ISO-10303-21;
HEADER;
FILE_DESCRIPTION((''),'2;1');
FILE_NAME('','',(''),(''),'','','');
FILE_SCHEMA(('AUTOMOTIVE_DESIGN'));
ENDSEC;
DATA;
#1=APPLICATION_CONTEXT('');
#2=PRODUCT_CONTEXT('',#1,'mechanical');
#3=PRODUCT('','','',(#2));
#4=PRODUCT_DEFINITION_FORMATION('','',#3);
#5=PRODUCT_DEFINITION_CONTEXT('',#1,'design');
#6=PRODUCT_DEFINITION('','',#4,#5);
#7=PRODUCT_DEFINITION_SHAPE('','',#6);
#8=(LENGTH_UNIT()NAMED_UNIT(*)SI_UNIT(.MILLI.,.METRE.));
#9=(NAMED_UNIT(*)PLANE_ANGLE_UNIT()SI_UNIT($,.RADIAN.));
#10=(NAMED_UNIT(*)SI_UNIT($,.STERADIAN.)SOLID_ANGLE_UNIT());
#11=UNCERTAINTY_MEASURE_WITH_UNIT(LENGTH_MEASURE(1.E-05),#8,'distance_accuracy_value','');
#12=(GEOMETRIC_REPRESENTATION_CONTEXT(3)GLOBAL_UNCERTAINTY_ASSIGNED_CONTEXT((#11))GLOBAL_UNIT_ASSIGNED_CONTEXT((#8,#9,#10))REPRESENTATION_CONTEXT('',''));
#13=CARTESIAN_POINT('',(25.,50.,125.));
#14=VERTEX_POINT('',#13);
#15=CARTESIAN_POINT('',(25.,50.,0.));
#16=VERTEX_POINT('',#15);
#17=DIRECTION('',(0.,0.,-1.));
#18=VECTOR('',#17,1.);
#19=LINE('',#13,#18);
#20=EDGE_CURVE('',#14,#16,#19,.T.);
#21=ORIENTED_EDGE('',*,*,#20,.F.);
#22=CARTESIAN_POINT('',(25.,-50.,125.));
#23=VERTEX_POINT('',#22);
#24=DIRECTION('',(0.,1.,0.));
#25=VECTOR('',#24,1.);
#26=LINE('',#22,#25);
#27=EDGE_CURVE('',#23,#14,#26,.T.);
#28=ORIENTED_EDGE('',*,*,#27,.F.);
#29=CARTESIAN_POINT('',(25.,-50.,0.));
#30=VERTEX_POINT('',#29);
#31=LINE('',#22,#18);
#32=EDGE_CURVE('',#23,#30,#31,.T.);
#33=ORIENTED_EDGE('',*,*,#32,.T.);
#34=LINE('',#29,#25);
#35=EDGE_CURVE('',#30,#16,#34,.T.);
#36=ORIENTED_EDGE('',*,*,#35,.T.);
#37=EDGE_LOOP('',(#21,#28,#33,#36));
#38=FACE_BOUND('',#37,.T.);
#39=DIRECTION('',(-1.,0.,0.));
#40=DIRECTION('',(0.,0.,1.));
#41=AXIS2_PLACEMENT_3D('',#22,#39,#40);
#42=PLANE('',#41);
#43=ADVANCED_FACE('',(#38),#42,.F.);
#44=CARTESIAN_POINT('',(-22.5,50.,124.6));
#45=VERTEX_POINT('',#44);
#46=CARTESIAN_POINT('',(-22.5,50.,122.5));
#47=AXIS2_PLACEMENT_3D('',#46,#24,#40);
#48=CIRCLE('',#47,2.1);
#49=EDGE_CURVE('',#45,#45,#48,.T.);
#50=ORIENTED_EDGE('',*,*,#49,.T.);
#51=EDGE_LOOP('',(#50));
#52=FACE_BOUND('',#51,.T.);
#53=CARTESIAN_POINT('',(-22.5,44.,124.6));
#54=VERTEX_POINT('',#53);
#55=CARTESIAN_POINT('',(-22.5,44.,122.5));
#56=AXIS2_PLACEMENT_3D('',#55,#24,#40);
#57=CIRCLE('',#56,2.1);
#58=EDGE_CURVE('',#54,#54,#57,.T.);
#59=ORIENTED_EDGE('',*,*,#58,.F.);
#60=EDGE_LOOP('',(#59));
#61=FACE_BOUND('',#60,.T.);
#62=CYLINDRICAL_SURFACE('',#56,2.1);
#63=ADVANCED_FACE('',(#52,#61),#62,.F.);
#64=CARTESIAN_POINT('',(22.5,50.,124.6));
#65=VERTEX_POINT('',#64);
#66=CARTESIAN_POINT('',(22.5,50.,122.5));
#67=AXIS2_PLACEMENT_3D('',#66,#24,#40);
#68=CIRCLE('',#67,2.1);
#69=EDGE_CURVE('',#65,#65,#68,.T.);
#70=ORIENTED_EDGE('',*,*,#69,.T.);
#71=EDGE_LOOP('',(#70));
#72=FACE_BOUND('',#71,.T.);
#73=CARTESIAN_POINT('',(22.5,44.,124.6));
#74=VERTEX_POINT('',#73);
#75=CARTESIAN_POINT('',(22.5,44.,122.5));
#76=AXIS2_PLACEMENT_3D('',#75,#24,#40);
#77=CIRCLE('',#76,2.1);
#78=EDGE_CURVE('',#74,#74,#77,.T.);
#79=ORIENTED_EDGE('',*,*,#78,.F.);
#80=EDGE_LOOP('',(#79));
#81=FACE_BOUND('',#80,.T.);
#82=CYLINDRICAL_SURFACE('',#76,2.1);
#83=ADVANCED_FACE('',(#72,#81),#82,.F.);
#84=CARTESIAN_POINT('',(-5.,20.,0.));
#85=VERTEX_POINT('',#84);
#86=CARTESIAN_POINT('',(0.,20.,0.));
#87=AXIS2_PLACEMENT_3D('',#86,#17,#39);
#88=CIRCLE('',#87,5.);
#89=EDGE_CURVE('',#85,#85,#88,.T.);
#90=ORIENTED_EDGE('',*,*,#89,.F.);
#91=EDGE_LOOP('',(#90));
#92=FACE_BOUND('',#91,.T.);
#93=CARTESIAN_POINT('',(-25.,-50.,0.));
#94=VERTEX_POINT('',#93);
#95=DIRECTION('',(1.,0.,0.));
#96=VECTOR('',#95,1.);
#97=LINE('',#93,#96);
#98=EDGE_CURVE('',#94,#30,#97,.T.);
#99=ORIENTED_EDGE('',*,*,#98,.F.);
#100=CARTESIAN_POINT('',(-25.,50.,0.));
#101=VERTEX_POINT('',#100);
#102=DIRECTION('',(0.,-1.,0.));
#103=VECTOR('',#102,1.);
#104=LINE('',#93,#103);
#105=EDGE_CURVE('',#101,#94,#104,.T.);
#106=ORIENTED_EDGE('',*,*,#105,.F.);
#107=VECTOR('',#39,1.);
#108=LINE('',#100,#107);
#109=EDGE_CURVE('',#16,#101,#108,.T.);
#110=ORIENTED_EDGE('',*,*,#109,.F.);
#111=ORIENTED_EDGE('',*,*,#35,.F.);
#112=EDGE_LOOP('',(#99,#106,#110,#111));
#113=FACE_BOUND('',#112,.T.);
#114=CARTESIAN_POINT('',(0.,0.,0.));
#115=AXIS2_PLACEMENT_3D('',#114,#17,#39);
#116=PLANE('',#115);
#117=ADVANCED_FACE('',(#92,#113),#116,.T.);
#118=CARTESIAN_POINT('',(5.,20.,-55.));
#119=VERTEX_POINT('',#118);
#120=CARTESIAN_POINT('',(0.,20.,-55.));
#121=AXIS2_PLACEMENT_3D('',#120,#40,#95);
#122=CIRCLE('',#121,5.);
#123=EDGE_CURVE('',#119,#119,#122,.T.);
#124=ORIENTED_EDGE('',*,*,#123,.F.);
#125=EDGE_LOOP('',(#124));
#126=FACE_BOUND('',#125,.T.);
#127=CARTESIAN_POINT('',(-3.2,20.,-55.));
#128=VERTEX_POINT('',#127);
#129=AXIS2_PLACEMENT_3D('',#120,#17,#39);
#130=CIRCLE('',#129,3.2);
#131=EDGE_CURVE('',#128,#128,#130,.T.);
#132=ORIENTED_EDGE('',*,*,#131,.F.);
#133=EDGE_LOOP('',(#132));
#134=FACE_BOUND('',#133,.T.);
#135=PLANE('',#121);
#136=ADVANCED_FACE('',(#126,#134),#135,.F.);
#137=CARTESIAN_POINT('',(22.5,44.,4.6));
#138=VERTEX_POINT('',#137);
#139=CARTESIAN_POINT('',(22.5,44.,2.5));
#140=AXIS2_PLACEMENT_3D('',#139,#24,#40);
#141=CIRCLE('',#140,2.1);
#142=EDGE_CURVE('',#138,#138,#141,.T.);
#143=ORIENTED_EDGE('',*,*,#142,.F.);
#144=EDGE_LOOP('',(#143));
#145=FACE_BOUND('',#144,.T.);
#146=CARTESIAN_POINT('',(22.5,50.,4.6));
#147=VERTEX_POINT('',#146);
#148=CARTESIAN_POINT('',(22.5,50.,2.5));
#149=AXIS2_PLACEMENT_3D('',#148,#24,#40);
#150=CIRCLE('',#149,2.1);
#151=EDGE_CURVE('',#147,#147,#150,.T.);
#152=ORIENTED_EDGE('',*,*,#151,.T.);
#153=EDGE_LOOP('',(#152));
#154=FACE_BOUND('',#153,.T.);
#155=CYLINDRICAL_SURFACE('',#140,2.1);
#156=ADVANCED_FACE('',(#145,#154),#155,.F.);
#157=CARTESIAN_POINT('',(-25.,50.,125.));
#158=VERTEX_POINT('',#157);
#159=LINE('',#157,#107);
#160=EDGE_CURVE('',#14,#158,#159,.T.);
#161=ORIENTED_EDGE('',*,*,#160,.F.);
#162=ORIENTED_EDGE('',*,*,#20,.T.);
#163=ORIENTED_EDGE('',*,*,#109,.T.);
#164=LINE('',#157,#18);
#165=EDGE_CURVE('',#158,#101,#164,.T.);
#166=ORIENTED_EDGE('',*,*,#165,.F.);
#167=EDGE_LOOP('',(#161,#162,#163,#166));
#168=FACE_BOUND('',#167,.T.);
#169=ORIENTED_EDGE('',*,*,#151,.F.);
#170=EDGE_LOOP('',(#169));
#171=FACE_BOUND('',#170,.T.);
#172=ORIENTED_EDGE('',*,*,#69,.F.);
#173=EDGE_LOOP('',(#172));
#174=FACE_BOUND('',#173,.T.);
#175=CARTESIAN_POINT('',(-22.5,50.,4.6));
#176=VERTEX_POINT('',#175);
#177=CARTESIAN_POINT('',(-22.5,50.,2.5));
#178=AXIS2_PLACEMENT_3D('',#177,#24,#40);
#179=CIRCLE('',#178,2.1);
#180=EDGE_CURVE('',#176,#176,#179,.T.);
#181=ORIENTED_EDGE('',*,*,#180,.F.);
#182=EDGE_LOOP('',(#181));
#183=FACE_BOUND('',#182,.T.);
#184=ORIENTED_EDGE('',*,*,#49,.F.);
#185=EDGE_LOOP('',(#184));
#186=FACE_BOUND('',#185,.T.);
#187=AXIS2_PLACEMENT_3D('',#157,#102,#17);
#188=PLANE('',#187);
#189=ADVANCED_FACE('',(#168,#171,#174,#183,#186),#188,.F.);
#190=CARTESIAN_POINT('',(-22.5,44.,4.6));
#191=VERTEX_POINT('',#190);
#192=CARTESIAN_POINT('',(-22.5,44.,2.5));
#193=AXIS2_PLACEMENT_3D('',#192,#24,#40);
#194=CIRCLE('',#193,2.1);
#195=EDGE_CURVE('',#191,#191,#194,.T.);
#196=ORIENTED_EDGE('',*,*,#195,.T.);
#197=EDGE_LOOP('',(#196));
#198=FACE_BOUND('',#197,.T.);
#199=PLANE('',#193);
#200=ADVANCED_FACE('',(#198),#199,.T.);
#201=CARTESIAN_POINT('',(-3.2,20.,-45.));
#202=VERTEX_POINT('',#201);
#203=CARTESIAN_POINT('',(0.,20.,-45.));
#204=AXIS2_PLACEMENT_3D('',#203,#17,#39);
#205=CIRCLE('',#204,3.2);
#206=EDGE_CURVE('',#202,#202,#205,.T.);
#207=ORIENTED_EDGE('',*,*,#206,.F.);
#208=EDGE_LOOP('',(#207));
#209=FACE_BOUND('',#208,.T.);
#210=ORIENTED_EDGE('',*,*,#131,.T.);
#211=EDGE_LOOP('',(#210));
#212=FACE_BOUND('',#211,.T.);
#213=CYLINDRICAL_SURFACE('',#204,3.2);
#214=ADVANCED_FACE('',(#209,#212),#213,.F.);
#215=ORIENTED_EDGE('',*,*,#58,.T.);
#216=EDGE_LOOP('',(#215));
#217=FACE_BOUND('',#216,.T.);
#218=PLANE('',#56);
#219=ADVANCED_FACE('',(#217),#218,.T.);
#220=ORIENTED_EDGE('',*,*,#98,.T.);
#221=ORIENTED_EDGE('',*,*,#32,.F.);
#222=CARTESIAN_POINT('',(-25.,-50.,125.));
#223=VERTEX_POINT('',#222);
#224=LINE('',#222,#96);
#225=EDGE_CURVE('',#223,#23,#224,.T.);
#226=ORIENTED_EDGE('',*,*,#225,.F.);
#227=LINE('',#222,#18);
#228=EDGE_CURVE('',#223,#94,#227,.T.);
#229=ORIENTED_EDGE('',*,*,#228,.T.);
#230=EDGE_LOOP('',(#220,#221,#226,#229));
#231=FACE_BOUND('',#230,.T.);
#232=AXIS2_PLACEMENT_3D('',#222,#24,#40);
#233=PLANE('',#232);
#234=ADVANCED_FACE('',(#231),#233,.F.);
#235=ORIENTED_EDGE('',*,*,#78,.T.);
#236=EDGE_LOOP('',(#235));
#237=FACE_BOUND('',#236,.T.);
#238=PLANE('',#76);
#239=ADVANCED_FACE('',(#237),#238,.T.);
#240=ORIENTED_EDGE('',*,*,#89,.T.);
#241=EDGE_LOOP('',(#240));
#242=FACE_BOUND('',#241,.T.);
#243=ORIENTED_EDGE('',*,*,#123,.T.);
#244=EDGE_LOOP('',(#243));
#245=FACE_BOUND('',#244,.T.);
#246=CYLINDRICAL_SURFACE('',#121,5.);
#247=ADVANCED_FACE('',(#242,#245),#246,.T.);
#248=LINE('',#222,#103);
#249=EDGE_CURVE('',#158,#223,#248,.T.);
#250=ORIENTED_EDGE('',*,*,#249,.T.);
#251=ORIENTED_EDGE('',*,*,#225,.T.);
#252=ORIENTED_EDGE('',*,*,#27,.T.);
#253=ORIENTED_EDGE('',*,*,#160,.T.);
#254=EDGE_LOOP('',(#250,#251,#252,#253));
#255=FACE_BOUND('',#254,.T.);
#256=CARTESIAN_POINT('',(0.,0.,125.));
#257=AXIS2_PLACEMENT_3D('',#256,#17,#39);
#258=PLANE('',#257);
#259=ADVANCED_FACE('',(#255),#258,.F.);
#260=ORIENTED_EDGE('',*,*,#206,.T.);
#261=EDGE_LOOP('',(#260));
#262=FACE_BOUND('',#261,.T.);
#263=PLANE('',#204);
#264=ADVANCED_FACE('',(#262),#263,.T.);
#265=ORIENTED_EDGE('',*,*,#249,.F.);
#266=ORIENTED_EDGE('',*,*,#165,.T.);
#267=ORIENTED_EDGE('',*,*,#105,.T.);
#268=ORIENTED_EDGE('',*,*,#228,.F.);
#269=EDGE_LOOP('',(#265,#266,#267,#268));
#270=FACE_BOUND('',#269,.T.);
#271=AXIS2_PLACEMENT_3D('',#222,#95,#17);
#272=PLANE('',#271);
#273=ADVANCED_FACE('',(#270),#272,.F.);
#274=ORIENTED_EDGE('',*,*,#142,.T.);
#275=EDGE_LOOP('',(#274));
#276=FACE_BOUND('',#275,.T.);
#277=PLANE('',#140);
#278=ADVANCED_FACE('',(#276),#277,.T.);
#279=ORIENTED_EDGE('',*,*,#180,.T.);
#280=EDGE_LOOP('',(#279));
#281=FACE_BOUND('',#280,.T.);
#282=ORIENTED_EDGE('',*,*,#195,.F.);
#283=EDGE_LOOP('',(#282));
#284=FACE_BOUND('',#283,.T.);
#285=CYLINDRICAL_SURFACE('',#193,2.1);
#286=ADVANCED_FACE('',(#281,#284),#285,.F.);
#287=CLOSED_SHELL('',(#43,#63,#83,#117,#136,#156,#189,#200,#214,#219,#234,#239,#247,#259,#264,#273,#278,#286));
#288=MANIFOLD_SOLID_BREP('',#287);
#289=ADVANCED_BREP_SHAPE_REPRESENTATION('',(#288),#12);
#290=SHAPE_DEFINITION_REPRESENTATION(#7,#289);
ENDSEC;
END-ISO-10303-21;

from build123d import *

# Parameters (mm, degrees)
SKETCH1_W           = 50
SKETCH1_H           = 100
BOSS_EXTRUDE1_DEPTH = 125
SKETCH2_R           = 5
BOSS_EXTRUDE2_DEPTH = 55
SKETCH3_R           = 2.1
CUT_EXTRUDE1_DEPTH  = 6
SKETCH4_R           = 3.2
CUT_EXTRUDE2_DEPTH  = 10


with BuildPart() as part:
    # Sketch1 → Boss-Extrude1 (new body)
    with BuildSketch(Plane.XY):
        Rectangle(SKETCH1_W, SKETCH1_H)
    extrude(amount=BOSS_EXTRUDE1_DEPTH)

    # Sketch2 → Boss-Extrude2 (add)
    with BuildSketch(Plane.XY):
        with Locations((0, 20)):
            Circle(SKETCH2_R)
    extrude(amount=-BOSS_EXTRUDE2_DEPTH)

    # Sketch3 → Cut-Extrude1 (cut)
    with BuildSketch(Plane(origin=(0, 50, 0), x_dir=(1, 0, 0), z_dir=(0, 1, 0))):
        with Locations(Location((-22.5, -2.5, 0), (0, 0, 270))):
            Circle(SKETCH3_R)
        with Locations(Location((22.5, -2.5, 0), (0, 0, 270))):
            Circle(SKETCH3_R)
        with Locations(Location((22.5, -122.5, 0), (0, 0, 270))):
            Circle(SKETCH3_R)
        with Locations(Location((-22.5, -122.5, 0), (0, 0, 270))):
            Circle(SKETCH3_R)
    extrude(amount=-CUT_EXTRUDE1_DEPTH, mode=Mode.SUBTRACT)

    # Sketch4 → Cut-Extrude2 (cut)
    with BuildSketch(Plane(origin=(0, 0, -55), x_dir=(-1, 0, 0), z_dir=(0, 0, -1))):
        with Locations((0, 20)):
            Circle(SKETCH4_R)
    extrude(amount=-CUT_EXTRUDE2_DEPTH, mode=Mode.SUBTRACT)


solid = part.part
